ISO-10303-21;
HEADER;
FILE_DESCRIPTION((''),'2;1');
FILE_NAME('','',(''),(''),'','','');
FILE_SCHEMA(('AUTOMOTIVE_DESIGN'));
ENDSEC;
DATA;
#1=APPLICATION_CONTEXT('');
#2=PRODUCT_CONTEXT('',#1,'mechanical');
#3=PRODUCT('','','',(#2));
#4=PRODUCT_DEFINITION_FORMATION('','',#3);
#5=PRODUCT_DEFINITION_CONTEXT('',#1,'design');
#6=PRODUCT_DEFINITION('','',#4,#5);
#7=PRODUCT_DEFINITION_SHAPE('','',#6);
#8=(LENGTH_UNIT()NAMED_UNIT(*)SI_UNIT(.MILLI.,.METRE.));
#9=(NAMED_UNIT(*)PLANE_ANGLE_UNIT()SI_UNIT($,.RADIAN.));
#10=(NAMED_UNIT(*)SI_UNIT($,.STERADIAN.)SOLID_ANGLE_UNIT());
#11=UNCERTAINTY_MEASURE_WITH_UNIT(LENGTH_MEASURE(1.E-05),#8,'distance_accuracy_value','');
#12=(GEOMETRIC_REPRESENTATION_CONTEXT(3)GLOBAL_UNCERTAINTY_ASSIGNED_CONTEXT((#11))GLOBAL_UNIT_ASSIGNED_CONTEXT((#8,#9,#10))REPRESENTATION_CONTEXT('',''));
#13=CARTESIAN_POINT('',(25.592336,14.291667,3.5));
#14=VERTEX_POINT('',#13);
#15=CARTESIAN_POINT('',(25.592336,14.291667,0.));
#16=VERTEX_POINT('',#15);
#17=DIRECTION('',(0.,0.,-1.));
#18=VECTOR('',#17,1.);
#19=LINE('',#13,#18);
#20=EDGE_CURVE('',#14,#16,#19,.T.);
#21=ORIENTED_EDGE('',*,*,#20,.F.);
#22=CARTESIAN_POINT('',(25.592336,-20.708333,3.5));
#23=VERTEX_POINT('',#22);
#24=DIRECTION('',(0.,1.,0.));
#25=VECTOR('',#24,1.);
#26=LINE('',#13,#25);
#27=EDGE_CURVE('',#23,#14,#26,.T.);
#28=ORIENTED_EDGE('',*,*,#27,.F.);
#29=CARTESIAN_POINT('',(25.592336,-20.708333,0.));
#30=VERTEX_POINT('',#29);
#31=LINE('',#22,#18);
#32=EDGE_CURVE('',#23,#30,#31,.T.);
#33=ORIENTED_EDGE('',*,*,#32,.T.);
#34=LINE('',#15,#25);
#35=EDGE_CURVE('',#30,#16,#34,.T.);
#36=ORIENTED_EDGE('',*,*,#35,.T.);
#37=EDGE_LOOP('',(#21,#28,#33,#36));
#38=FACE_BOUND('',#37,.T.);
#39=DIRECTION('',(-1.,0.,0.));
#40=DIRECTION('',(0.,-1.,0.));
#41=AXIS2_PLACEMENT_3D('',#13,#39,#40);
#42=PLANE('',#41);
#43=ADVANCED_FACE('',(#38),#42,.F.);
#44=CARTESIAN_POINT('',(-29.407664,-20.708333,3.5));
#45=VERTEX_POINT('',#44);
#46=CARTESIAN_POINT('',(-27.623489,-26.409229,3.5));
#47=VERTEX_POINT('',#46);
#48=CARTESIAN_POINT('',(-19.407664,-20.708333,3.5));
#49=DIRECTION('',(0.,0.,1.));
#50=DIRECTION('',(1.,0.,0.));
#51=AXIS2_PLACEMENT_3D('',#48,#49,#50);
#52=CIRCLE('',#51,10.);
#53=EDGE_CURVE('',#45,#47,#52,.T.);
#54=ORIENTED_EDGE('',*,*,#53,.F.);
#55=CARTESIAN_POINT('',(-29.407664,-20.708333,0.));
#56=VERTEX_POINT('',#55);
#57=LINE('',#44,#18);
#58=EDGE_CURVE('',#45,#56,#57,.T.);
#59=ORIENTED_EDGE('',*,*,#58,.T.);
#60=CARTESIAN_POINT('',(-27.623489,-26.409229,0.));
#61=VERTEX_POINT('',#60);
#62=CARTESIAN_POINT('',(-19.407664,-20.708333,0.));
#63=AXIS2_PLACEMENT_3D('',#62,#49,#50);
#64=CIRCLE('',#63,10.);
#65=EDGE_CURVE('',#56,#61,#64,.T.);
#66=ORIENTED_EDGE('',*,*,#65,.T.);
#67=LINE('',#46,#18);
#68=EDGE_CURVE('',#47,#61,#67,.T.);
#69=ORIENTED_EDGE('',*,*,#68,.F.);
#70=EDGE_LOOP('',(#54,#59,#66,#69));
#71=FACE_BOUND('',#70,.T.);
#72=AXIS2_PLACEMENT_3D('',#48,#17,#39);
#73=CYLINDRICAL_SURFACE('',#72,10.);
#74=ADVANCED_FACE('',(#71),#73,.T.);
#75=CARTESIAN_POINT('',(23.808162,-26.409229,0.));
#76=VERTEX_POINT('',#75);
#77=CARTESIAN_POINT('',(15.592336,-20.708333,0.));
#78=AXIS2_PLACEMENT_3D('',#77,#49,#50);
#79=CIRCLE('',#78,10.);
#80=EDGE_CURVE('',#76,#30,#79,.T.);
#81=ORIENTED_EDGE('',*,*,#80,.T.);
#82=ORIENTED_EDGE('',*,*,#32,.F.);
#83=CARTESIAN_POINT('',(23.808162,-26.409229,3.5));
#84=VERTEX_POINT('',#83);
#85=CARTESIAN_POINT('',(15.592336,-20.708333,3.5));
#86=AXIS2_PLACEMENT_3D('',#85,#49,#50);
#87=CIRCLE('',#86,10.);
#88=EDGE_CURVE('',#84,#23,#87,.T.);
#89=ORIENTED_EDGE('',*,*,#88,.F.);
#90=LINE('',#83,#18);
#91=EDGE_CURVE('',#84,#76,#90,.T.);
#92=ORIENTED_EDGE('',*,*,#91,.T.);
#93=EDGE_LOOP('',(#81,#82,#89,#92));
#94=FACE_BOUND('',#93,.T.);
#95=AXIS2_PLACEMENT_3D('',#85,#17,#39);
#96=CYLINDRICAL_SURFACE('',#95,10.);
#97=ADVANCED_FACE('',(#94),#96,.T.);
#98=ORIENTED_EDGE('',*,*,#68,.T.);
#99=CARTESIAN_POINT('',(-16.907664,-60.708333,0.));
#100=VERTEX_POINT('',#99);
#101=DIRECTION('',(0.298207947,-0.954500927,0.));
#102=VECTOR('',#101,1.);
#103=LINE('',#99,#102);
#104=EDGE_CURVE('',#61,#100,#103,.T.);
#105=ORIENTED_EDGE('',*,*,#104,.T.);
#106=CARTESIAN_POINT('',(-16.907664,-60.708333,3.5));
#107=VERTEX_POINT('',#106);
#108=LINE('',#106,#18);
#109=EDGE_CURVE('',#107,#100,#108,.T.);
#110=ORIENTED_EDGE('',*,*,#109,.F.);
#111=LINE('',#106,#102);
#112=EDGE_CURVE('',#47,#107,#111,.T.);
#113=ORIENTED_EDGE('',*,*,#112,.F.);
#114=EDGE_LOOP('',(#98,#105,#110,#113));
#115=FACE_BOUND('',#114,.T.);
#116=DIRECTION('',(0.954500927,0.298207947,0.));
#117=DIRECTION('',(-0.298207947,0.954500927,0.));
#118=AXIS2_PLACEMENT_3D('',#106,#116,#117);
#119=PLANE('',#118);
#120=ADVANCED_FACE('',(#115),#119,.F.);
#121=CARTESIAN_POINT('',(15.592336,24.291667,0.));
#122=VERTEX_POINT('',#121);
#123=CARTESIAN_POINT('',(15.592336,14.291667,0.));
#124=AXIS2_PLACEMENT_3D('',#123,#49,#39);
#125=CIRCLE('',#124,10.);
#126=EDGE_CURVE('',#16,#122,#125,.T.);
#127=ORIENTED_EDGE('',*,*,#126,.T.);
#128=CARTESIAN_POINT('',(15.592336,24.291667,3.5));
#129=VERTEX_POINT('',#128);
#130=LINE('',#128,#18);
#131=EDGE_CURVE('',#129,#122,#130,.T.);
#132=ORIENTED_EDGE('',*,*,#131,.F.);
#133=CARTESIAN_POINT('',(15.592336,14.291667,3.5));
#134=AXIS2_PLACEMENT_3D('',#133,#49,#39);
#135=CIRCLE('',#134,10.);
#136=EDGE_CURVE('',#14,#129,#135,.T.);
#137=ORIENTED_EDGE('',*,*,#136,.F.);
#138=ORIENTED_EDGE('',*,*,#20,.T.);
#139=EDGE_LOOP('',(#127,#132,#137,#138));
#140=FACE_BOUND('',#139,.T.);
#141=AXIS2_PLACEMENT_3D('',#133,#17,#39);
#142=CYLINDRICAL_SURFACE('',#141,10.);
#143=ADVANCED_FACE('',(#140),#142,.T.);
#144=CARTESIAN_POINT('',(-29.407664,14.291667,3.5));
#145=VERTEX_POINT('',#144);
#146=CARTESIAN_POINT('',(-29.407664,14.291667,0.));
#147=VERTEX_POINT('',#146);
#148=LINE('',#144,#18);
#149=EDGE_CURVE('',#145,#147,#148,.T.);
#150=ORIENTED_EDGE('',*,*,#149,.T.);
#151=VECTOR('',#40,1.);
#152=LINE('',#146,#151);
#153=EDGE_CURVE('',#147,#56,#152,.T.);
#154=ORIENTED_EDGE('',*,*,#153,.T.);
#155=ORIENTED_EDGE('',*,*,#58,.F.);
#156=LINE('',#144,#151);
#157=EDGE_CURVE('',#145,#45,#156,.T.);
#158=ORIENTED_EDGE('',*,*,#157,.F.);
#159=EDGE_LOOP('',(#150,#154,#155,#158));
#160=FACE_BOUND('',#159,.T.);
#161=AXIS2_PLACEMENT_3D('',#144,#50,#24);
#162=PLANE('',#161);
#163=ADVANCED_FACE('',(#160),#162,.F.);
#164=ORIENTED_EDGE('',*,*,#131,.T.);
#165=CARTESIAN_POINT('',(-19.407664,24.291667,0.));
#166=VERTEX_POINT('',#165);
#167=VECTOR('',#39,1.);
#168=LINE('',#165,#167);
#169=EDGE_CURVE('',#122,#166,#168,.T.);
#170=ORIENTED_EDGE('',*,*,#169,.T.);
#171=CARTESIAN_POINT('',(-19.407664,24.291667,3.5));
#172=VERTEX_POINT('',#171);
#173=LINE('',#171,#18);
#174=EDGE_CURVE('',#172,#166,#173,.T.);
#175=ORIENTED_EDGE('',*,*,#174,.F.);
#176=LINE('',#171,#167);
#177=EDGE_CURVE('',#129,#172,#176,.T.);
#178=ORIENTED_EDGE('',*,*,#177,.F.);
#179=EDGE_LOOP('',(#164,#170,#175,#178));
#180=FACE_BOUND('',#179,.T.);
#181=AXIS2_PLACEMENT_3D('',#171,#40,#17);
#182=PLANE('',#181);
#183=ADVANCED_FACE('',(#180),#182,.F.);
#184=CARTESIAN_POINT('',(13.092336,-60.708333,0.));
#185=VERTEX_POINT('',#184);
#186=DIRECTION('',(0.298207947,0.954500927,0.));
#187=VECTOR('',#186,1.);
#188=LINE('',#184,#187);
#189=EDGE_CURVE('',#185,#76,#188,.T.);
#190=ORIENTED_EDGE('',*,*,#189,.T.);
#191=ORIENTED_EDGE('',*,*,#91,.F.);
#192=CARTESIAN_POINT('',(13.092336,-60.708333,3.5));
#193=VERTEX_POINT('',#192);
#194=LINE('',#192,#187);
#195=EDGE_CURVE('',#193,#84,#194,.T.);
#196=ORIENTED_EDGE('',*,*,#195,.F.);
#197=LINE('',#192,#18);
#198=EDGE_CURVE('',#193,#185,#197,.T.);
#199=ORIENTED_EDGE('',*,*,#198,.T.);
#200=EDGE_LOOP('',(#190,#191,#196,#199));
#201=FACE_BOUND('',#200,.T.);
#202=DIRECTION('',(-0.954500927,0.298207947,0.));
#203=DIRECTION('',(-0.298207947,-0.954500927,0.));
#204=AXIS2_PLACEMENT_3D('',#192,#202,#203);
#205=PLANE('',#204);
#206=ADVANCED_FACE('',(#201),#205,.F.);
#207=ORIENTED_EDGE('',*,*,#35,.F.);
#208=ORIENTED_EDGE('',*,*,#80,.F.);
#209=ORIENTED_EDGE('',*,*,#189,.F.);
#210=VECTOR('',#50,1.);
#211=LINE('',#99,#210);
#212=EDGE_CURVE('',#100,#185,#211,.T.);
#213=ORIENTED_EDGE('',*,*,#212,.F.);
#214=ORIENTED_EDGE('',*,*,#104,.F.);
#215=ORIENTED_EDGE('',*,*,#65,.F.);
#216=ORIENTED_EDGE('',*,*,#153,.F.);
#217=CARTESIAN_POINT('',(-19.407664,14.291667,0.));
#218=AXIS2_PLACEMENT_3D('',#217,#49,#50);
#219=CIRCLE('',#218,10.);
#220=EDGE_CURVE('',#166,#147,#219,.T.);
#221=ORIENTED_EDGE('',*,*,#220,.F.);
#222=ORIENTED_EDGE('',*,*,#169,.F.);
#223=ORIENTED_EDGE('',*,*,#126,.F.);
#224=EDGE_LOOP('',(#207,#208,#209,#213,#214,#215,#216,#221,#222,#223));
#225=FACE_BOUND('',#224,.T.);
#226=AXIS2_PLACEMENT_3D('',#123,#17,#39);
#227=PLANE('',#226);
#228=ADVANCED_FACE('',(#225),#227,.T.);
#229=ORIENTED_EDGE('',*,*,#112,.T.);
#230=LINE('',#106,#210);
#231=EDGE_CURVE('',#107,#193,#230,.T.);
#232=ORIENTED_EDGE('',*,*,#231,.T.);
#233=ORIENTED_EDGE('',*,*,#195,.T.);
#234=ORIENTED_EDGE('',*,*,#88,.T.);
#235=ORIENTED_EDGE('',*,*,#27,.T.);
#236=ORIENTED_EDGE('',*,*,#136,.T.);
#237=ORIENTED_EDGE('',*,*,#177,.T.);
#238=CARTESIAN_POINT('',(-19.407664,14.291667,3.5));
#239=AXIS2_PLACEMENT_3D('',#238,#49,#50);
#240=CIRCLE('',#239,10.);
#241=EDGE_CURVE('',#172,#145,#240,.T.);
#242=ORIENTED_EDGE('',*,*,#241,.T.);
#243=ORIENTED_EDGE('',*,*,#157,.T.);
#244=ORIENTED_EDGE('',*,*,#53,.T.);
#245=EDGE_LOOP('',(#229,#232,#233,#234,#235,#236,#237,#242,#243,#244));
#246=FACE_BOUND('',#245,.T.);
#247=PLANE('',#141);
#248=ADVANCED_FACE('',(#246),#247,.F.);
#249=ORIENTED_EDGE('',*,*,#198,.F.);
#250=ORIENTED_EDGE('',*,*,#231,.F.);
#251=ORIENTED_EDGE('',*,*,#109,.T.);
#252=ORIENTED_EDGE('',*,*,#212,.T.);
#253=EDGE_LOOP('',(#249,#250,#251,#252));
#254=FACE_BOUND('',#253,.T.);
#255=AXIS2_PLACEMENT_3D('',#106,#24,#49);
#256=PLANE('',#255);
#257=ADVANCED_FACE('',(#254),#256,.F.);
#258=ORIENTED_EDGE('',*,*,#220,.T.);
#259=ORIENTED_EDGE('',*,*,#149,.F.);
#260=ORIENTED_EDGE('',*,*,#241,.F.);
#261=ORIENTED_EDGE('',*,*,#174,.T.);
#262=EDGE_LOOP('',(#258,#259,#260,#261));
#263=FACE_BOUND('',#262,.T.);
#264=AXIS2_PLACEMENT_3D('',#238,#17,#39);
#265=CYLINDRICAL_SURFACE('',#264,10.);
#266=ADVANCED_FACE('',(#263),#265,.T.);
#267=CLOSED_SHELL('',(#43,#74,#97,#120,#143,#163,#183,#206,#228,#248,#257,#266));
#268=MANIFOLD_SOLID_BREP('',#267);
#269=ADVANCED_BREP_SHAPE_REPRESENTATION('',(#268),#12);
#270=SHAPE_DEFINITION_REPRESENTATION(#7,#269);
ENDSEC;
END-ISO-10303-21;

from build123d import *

# Parameters (mm, degrees)
SALIENTE_EXTRUIR1_DEPTH = 3.5


with BuildPart() as part:
    # Croquis1 → Saliente-Extruir1 (new body)
    with BuildSketch(Plane.XY):
        with BuildLine():
            Line((-16.907663566, -60.708333333), (13.092336434, -60.708333333))
            Line((13.092336434, -60.708333333), (23.808162125, -26.40922872))
            ThreePointArc((23.808162125, -26.40922872), (25.135875005, -23.695116141), (25.592336434, -20.708333333))
            Line((25.592336434, -20.708333333), (25.592336434, 14.291666667))
            ThreePointArc((25.592336434, 14.291666667), (22.663404246, 21.362734479), (15.592336434, 24.291666667))
            Line((15.592336434, 24.291666667), (-19.407663566, 24.291666667))
            ThreePointArc((-19.407663566, 24.291666667), (-26.478731378, 21.362734479), (-29.407663566, 14.291666667))
            Line((-29.407663566, 14.291666667), (-29.407663566, -20.708333333))
            ThreePointArc((-29.407663566, -20.708333333), (-28.951202137, -23.695116141), (-27.623489258, -26.40922872))
            Line((-27.623489258, -26.40922872), (-16.907663566, -60.708333333))
        make_face()
    extrude(amount=SALIENTE_EXTRUIR1_DEPTH)


solid = part.part
